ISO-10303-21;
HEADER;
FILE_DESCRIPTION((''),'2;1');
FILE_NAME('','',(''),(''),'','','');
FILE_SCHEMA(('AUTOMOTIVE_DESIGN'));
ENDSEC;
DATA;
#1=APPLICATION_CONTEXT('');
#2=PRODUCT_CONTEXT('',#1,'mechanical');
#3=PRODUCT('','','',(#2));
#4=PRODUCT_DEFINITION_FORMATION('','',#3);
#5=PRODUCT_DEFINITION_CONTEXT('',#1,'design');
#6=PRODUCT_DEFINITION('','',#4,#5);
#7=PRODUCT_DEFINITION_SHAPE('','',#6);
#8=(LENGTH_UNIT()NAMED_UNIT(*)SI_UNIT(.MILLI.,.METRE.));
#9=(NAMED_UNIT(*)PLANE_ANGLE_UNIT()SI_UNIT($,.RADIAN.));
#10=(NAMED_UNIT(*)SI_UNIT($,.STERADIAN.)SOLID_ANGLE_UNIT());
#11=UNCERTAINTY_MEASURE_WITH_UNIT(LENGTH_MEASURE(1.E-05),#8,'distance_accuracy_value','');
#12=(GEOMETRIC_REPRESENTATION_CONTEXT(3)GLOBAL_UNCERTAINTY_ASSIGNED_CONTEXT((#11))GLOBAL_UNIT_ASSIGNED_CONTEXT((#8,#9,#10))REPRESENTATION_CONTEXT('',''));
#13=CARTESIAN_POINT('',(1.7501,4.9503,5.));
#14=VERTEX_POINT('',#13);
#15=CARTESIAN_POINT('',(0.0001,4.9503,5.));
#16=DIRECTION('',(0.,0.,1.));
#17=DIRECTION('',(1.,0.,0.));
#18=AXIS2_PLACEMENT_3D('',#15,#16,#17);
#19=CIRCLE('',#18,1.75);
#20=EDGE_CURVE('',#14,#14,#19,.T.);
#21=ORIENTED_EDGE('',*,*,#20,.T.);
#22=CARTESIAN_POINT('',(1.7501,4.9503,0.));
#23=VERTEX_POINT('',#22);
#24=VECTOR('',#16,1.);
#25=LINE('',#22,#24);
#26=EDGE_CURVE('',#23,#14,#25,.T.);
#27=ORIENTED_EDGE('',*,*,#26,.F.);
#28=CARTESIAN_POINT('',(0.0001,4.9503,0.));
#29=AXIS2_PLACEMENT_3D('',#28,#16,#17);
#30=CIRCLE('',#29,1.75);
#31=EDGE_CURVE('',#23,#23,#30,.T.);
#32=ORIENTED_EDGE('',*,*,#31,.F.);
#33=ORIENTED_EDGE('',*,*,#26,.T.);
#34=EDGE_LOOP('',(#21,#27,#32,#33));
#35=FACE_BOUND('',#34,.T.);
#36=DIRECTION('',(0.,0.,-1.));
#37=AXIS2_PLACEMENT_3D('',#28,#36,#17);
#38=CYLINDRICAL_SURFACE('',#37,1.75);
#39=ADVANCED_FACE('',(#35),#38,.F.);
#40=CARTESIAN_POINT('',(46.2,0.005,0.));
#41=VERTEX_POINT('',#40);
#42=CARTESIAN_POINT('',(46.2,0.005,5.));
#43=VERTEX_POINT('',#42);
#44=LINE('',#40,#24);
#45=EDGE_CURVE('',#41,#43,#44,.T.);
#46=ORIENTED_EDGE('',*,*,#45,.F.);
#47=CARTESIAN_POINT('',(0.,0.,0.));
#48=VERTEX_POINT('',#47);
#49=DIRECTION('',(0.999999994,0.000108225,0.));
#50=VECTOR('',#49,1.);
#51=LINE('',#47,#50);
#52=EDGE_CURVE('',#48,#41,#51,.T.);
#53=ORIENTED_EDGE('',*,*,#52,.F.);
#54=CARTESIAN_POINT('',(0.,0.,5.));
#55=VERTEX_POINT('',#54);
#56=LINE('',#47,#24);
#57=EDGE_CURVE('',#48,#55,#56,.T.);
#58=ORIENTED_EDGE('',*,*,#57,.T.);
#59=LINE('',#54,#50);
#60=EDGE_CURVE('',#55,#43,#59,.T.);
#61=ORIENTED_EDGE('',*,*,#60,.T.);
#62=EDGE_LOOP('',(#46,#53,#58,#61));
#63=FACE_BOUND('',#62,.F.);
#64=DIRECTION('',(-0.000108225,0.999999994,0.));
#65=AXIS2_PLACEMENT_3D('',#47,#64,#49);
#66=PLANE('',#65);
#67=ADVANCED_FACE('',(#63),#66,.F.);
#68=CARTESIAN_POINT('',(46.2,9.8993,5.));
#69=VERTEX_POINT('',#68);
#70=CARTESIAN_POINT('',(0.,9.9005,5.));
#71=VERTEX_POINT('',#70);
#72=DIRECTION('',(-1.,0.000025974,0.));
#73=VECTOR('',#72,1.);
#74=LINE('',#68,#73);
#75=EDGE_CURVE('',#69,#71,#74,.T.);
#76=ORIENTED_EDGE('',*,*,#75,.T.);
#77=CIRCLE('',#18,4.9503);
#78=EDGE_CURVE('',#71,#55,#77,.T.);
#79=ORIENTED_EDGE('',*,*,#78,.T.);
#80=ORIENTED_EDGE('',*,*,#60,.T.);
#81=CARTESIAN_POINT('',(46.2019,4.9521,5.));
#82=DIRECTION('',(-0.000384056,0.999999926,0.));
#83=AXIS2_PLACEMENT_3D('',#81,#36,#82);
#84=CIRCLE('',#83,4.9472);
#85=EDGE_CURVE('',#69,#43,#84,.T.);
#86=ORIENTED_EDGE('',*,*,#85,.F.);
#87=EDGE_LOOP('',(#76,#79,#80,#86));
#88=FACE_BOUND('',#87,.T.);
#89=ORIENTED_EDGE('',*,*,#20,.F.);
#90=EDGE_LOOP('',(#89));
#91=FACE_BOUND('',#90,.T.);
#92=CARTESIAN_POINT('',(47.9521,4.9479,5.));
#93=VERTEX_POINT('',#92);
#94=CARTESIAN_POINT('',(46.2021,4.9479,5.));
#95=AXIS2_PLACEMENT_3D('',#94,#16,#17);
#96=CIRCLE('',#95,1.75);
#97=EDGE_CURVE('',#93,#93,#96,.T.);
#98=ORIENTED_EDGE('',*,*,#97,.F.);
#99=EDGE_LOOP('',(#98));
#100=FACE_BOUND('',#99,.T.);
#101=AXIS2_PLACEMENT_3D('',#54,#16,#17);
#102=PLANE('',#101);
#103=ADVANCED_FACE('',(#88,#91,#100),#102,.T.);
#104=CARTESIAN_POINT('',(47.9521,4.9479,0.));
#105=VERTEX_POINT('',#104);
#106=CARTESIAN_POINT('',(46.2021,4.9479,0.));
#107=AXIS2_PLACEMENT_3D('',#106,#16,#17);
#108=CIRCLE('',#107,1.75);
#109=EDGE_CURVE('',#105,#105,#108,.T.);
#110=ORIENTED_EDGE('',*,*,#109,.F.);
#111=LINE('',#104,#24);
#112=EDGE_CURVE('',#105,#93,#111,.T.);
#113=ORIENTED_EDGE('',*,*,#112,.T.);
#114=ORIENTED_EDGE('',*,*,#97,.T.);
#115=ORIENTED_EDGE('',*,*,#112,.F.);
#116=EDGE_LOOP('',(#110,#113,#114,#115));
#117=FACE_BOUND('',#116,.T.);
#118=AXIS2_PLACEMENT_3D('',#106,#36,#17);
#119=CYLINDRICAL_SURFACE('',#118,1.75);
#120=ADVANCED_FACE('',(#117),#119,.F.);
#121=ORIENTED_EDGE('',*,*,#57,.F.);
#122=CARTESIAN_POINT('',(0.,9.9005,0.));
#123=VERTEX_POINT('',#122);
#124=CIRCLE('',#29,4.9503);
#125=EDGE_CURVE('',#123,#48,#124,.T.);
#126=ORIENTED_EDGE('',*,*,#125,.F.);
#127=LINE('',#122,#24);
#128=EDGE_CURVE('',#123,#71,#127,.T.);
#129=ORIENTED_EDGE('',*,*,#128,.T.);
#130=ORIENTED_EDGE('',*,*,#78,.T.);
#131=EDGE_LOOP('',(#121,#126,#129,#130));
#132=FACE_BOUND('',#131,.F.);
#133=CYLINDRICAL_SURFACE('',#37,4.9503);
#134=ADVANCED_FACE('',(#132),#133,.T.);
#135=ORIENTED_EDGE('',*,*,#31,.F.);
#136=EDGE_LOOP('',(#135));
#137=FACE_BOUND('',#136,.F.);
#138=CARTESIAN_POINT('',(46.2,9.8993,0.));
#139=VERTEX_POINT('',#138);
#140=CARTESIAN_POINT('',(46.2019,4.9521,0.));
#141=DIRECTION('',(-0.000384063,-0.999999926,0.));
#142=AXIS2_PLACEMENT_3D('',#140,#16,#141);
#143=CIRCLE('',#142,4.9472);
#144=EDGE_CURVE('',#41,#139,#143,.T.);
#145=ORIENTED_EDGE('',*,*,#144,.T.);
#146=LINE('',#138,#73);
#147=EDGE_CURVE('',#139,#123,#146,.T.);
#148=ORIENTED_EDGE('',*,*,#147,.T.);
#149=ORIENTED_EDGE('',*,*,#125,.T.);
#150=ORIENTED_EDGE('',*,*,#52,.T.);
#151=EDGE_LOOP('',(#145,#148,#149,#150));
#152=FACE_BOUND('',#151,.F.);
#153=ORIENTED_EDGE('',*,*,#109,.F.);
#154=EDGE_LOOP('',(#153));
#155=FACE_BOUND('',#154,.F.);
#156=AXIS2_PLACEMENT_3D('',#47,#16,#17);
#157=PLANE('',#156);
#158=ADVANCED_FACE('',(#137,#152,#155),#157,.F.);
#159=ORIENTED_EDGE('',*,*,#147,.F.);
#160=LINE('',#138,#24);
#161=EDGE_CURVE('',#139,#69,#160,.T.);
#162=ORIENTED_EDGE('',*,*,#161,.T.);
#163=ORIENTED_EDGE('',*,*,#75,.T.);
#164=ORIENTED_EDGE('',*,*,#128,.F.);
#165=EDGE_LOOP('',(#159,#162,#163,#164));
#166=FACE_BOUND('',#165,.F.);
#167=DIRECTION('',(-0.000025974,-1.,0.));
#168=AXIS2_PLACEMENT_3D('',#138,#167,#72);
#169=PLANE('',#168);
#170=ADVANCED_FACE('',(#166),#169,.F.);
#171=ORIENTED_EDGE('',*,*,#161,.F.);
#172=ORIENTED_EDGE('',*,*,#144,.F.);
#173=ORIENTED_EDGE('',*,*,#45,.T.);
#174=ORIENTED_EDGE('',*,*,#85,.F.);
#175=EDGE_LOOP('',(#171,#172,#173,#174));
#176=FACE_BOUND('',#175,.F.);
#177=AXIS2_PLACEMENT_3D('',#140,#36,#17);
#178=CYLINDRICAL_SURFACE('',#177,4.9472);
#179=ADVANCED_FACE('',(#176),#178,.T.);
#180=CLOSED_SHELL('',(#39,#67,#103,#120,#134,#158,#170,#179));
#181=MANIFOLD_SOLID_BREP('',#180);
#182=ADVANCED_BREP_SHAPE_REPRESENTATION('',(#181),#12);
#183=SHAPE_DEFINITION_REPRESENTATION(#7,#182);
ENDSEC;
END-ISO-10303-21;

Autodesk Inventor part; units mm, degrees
ref_plane "YZ Plane" through (0, 0, 0) normal (1, 0, 0) x (0, 1, 0)
ref_plane "XZ Plane" through (0, 0, 0) normal (0, 1, 0) x (-1, 0, 0)
ref_plane "XY Plane" through (0, 0, 0) normal (0, 0, 1) x (1, 0, 0)
sketch "Szkic1" plane through (0, 0, 0) normal (0, 0, 1) x (1, 0, 0)
  line L0 (46.2, 9.8993) -> (0, 9.9005)
  circle A0 centre (46.2019, 4.9521) radius 4.9472
  line L1 (0, 0) -> (46.2, 0.005)
  circle A1 centre (0.0001, 4.9503) radius 4.9503
  circle A2 centre (0.0001, 4.9503) radius 1.75
  circle A3 centre (18.487, 4.9458) radius 1.75
  circle A4 centre (46.2021, 4.9479) radius 1.75
  point P0 (0, 0)
  point P1 (-4.95, 0)
  point P2 (0.0003, 9.9005)
  point P3 (0.0007, 0)
  dimension "d0" = 3.5
  dimension "d1" = 3.5
  dimension "d2" = 3.5
extrude "Wyciągnięcie proste1" add sketch "Szkic1" along normal blind 5
sketch "Szkic3" plane through (0, 0, 5) normal (0, 0, 1) x (1, 0, 0)
  circle A0 centre (18.487, 4.9458) radius 1.75 projected
  point P0 (0, 0)
extrude "Wyciągnięcie proste3" add sketch "Szkic3" against normal up to surface (5 mm away)
properties part number "ArmOuter"
